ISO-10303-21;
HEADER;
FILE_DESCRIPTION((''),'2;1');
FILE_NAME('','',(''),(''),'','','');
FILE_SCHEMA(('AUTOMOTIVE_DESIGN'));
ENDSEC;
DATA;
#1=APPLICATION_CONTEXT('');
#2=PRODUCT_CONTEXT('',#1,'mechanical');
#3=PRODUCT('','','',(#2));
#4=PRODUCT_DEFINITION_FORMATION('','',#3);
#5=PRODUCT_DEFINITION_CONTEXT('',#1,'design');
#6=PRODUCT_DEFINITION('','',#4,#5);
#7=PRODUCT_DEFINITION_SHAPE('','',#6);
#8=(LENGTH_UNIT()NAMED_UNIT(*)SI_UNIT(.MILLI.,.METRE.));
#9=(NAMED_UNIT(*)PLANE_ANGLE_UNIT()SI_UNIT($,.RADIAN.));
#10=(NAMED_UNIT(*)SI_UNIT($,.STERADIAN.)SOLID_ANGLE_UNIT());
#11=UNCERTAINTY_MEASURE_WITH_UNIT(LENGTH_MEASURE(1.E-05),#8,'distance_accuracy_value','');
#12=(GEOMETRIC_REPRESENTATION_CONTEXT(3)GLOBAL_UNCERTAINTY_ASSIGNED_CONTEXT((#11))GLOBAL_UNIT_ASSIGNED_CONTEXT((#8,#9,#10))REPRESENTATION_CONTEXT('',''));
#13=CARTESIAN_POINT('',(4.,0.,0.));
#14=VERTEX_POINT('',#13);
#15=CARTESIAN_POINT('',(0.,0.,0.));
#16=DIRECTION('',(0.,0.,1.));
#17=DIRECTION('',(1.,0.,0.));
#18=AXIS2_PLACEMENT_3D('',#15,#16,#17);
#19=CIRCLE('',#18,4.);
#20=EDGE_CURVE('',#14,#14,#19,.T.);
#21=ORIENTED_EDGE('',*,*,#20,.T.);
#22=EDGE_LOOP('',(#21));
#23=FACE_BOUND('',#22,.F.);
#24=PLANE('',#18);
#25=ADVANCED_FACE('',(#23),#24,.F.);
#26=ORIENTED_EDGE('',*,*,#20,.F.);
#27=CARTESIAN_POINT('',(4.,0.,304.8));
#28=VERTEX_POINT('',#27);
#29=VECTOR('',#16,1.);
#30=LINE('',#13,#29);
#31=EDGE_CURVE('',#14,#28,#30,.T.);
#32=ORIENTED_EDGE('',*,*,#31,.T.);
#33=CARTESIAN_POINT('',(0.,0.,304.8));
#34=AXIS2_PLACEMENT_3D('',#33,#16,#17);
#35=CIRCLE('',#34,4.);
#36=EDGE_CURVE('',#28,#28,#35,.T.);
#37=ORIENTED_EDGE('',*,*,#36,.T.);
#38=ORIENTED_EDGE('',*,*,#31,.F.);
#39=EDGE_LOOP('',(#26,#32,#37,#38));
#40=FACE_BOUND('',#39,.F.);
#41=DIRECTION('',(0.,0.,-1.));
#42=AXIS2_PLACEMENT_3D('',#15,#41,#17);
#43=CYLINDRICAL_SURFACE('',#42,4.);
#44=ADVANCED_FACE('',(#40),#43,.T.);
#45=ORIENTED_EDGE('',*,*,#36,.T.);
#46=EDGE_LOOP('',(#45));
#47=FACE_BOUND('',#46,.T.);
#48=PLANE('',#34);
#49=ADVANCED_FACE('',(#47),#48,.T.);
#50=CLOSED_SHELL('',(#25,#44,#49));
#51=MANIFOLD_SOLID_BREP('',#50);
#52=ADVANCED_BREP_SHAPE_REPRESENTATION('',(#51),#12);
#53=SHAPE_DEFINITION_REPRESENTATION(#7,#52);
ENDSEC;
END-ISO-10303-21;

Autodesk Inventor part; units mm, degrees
ref_plane "YZ Plane" through (0, 0, 0) normal (1, 0, 0) x (0, 1, 0)
ref_plane "XZ Plane" through (0, 0, 0) normal (0, 1, 0) x (-1, 0, 0)
ref_plane "XY Plane" through (0, 0, 0) normal (0, 0, 1) x (1, 0, 0)
sketch "Sketch1" plane through (0, 0, 0) normal (0, 0, 1) x (1, 0, 0)
  circle A0 centre (0, 0) radius 4
  dimension "d0" = 8
extrude "Extrusion1" add sketch "Sketch1" along normal blind 304.8
properties part number "Bar"
